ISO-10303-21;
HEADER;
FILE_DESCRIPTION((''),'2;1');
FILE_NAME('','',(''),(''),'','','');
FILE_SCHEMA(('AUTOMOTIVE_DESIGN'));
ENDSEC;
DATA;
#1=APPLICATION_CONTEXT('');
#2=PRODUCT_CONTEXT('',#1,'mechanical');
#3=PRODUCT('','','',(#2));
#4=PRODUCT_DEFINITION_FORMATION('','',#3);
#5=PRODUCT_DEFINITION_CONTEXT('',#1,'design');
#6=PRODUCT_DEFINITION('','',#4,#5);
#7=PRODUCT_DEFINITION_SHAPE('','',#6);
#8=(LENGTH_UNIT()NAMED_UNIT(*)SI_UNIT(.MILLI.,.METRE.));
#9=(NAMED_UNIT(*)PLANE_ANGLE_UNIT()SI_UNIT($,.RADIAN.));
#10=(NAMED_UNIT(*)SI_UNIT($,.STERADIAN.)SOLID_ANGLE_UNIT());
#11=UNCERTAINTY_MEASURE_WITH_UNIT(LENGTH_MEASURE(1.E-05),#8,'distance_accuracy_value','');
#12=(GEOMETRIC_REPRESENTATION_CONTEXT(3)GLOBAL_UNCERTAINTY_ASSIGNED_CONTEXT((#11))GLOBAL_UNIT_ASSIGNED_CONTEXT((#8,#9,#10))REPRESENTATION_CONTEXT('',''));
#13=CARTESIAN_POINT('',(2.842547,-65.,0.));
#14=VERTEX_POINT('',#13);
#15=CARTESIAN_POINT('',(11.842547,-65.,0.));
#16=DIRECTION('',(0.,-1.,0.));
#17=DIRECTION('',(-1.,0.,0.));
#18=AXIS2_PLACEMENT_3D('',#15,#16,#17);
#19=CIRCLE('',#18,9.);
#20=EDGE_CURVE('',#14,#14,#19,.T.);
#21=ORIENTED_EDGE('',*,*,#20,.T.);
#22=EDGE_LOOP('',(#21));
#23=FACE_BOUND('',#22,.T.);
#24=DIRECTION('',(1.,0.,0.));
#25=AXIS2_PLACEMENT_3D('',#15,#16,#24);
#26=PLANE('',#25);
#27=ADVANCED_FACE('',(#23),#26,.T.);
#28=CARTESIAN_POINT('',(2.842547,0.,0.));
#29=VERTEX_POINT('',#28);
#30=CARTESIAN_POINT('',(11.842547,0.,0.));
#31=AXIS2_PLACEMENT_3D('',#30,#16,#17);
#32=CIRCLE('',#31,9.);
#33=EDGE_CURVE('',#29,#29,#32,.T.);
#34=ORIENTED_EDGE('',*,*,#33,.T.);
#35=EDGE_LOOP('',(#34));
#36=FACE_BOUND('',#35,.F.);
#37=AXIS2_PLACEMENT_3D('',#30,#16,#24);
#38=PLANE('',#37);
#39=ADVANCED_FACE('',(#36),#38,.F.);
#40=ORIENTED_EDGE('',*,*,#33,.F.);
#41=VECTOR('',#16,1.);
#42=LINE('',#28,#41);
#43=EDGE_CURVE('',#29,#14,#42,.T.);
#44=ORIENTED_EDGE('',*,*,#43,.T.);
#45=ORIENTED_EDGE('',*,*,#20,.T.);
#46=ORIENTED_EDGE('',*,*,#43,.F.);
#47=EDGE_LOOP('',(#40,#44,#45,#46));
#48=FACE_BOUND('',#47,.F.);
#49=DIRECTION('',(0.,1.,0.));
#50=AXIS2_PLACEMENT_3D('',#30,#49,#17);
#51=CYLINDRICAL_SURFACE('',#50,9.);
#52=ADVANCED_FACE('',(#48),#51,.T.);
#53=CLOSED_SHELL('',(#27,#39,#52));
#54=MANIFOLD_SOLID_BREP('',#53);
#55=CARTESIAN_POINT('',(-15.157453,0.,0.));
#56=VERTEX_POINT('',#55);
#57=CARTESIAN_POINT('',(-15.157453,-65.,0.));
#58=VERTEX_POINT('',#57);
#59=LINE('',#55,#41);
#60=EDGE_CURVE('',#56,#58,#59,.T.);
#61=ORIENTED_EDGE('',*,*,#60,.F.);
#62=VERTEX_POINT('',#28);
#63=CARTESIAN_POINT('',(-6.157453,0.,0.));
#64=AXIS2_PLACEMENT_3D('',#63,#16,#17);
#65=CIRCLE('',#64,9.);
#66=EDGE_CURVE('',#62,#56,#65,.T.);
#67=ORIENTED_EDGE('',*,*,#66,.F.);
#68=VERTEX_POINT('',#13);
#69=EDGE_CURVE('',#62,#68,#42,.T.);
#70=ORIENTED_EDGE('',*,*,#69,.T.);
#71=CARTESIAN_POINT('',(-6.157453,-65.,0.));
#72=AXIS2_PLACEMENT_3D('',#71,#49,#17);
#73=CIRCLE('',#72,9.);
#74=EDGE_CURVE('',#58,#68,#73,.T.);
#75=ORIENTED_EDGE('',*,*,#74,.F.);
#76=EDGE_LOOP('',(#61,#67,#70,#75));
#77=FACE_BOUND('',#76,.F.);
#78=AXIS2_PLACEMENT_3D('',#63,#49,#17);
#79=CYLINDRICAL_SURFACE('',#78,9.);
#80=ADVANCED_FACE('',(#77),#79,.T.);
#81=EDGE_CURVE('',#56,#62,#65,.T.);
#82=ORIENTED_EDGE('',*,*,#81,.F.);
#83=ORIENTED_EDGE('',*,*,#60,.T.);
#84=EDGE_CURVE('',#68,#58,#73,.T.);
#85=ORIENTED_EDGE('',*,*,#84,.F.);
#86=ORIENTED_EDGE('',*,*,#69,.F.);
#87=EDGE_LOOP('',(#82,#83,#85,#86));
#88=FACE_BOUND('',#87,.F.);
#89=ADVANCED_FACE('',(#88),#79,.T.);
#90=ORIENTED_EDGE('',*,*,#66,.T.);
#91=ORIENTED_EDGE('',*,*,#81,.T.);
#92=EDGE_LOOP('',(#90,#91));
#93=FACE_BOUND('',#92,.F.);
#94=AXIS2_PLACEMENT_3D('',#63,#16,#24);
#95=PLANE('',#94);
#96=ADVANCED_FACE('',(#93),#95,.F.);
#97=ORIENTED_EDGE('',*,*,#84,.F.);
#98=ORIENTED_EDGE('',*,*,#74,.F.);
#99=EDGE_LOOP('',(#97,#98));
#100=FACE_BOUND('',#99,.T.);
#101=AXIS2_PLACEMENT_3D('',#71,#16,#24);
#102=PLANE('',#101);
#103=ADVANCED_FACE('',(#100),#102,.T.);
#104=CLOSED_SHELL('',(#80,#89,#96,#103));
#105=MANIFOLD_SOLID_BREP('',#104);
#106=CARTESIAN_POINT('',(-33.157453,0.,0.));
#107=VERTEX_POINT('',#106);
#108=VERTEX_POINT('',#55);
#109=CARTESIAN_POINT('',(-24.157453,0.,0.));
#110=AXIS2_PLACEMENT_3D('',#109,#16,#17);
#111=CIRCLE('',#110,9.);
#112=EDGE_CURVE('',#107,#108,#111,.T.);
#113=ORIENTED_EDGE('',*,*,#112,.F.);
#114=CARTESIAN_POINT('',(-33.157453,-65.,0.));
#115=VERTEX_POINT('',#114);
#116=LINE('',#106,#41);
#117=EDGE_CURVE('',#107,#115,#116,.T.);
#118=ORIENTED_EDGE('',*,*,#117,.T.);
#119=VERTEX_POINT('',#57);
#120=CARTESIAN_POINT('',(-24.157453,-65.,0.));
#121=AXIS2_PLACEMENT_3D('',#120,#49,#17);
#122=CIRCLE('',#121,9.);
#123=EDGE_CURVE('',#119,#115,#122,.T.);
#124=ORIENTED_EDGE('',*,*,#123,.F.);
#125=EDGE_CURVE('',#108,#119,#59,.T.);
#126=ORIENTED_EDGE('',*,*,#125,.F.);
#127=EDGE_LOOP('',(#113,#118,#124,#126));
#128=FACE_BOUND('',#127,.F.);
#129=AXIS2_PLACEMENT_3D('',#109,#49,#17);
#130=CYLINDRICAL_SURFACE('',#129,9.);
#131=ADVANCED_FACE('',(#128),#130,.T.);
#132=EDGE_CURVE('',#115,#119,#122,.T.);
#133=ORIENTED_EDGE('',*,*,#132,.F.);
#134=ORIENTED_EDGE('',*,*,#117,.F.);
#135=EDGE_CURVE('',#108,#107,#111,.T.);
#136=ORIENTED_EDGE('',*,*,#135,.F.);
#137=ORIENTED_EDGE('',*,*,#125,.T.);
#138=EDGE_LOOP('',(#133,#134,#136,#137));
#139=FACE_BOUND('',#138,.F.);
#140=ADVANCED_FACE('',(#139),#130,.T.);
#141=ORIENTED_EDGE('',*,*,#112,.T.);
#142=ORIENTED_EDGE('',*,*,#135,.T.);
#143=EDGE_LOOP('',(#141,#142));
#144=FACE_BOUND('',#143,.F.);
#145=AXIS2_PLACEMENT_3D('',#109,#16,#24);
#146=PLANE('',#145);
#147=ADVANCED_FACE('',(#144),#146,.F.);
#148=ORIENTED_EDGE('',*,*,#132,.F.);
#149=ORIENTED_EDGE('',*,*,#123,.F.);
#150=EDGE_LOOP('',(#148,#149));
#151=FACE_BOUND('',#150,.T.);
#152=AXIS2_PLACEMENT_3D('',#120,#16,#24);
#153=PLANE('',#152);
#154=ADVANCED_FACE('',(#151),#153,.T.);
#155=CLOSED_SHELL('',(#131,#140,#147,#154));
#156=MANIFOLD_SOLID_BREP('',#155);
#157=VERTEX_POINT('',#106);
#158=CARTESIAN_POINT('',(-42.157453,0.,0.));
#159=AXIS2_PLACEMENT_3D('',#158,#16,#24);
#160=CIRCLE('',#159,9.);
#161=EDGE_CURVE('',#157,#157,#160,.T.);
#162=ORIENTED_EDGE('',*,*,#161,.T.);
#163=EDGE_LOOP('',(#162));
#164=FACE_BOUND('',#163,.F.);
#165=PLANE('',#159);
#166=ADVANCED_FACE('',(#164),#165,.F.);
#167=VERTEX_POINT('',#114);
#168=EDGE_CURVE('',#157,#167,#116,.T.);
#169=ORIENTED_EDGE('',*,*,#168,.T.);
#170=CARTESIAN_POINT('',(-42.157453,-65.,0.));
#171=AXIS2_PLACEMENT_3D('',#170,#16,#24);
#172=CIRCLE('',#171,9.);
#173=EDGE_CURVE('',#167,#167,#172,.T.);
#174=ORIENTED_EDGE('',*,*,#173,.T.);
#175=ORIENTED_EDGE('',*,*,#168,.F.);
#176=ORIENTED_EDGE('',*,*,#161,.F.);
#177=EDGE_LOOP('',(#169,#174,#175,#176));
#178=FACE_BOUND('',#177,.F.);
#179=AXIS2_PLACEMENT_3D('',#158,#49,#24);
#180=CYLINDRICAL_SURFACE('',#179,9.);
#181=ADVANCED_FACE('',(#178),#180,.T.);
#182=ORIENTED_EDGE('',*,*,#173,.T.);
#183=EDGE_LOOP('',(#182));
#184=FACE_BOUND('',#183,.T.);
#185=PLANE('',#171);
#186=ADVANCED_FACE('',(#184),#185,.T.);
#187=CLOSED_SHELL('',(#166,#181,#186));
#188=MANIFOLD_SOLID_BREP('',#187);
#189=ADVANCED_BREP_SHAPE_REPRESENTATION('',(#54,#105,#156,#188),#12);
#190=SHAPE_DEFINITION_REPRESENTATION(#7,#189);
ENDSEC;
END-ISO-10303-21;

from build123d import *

# Parameters (mm, degrees)
F0_R     = 9
F1_DEPTH = 65


with BuildPart() as f1:
    # F0 (on Front) → F1 (new body)
    with BuildSketch(Plane.XZ):
        with Locations((-42.157453, 0)):
            Circle(F0_R)
        with BuildLine():
            ThreePointArc((-15.157453, 0), (-24.157453, 9), (-33.157453, 0))
            ThreePointArc((-33.157453, 0), (-24.157453, -9), (-15.157453, 0))
        make_face()
        with BuildLine():
            ThreePointArc((2.842547, 0), (-6.157453, 9), (-15.157453, 0))
            ThreePointArc((-15.157453, 0), (-6.157453, -9), (2.842547, 0))
        make_face()
        with BuildLine():
            ThreePointArc((20.842547, 0), (11.842547, 9), (2.842547, 0))
            ThreePointArc((2.842547, 0), (11.842547, -9), (20.842547, 0))
        make_face()
    extrude(amount=F1_DEPTH)


solid = f1.part
